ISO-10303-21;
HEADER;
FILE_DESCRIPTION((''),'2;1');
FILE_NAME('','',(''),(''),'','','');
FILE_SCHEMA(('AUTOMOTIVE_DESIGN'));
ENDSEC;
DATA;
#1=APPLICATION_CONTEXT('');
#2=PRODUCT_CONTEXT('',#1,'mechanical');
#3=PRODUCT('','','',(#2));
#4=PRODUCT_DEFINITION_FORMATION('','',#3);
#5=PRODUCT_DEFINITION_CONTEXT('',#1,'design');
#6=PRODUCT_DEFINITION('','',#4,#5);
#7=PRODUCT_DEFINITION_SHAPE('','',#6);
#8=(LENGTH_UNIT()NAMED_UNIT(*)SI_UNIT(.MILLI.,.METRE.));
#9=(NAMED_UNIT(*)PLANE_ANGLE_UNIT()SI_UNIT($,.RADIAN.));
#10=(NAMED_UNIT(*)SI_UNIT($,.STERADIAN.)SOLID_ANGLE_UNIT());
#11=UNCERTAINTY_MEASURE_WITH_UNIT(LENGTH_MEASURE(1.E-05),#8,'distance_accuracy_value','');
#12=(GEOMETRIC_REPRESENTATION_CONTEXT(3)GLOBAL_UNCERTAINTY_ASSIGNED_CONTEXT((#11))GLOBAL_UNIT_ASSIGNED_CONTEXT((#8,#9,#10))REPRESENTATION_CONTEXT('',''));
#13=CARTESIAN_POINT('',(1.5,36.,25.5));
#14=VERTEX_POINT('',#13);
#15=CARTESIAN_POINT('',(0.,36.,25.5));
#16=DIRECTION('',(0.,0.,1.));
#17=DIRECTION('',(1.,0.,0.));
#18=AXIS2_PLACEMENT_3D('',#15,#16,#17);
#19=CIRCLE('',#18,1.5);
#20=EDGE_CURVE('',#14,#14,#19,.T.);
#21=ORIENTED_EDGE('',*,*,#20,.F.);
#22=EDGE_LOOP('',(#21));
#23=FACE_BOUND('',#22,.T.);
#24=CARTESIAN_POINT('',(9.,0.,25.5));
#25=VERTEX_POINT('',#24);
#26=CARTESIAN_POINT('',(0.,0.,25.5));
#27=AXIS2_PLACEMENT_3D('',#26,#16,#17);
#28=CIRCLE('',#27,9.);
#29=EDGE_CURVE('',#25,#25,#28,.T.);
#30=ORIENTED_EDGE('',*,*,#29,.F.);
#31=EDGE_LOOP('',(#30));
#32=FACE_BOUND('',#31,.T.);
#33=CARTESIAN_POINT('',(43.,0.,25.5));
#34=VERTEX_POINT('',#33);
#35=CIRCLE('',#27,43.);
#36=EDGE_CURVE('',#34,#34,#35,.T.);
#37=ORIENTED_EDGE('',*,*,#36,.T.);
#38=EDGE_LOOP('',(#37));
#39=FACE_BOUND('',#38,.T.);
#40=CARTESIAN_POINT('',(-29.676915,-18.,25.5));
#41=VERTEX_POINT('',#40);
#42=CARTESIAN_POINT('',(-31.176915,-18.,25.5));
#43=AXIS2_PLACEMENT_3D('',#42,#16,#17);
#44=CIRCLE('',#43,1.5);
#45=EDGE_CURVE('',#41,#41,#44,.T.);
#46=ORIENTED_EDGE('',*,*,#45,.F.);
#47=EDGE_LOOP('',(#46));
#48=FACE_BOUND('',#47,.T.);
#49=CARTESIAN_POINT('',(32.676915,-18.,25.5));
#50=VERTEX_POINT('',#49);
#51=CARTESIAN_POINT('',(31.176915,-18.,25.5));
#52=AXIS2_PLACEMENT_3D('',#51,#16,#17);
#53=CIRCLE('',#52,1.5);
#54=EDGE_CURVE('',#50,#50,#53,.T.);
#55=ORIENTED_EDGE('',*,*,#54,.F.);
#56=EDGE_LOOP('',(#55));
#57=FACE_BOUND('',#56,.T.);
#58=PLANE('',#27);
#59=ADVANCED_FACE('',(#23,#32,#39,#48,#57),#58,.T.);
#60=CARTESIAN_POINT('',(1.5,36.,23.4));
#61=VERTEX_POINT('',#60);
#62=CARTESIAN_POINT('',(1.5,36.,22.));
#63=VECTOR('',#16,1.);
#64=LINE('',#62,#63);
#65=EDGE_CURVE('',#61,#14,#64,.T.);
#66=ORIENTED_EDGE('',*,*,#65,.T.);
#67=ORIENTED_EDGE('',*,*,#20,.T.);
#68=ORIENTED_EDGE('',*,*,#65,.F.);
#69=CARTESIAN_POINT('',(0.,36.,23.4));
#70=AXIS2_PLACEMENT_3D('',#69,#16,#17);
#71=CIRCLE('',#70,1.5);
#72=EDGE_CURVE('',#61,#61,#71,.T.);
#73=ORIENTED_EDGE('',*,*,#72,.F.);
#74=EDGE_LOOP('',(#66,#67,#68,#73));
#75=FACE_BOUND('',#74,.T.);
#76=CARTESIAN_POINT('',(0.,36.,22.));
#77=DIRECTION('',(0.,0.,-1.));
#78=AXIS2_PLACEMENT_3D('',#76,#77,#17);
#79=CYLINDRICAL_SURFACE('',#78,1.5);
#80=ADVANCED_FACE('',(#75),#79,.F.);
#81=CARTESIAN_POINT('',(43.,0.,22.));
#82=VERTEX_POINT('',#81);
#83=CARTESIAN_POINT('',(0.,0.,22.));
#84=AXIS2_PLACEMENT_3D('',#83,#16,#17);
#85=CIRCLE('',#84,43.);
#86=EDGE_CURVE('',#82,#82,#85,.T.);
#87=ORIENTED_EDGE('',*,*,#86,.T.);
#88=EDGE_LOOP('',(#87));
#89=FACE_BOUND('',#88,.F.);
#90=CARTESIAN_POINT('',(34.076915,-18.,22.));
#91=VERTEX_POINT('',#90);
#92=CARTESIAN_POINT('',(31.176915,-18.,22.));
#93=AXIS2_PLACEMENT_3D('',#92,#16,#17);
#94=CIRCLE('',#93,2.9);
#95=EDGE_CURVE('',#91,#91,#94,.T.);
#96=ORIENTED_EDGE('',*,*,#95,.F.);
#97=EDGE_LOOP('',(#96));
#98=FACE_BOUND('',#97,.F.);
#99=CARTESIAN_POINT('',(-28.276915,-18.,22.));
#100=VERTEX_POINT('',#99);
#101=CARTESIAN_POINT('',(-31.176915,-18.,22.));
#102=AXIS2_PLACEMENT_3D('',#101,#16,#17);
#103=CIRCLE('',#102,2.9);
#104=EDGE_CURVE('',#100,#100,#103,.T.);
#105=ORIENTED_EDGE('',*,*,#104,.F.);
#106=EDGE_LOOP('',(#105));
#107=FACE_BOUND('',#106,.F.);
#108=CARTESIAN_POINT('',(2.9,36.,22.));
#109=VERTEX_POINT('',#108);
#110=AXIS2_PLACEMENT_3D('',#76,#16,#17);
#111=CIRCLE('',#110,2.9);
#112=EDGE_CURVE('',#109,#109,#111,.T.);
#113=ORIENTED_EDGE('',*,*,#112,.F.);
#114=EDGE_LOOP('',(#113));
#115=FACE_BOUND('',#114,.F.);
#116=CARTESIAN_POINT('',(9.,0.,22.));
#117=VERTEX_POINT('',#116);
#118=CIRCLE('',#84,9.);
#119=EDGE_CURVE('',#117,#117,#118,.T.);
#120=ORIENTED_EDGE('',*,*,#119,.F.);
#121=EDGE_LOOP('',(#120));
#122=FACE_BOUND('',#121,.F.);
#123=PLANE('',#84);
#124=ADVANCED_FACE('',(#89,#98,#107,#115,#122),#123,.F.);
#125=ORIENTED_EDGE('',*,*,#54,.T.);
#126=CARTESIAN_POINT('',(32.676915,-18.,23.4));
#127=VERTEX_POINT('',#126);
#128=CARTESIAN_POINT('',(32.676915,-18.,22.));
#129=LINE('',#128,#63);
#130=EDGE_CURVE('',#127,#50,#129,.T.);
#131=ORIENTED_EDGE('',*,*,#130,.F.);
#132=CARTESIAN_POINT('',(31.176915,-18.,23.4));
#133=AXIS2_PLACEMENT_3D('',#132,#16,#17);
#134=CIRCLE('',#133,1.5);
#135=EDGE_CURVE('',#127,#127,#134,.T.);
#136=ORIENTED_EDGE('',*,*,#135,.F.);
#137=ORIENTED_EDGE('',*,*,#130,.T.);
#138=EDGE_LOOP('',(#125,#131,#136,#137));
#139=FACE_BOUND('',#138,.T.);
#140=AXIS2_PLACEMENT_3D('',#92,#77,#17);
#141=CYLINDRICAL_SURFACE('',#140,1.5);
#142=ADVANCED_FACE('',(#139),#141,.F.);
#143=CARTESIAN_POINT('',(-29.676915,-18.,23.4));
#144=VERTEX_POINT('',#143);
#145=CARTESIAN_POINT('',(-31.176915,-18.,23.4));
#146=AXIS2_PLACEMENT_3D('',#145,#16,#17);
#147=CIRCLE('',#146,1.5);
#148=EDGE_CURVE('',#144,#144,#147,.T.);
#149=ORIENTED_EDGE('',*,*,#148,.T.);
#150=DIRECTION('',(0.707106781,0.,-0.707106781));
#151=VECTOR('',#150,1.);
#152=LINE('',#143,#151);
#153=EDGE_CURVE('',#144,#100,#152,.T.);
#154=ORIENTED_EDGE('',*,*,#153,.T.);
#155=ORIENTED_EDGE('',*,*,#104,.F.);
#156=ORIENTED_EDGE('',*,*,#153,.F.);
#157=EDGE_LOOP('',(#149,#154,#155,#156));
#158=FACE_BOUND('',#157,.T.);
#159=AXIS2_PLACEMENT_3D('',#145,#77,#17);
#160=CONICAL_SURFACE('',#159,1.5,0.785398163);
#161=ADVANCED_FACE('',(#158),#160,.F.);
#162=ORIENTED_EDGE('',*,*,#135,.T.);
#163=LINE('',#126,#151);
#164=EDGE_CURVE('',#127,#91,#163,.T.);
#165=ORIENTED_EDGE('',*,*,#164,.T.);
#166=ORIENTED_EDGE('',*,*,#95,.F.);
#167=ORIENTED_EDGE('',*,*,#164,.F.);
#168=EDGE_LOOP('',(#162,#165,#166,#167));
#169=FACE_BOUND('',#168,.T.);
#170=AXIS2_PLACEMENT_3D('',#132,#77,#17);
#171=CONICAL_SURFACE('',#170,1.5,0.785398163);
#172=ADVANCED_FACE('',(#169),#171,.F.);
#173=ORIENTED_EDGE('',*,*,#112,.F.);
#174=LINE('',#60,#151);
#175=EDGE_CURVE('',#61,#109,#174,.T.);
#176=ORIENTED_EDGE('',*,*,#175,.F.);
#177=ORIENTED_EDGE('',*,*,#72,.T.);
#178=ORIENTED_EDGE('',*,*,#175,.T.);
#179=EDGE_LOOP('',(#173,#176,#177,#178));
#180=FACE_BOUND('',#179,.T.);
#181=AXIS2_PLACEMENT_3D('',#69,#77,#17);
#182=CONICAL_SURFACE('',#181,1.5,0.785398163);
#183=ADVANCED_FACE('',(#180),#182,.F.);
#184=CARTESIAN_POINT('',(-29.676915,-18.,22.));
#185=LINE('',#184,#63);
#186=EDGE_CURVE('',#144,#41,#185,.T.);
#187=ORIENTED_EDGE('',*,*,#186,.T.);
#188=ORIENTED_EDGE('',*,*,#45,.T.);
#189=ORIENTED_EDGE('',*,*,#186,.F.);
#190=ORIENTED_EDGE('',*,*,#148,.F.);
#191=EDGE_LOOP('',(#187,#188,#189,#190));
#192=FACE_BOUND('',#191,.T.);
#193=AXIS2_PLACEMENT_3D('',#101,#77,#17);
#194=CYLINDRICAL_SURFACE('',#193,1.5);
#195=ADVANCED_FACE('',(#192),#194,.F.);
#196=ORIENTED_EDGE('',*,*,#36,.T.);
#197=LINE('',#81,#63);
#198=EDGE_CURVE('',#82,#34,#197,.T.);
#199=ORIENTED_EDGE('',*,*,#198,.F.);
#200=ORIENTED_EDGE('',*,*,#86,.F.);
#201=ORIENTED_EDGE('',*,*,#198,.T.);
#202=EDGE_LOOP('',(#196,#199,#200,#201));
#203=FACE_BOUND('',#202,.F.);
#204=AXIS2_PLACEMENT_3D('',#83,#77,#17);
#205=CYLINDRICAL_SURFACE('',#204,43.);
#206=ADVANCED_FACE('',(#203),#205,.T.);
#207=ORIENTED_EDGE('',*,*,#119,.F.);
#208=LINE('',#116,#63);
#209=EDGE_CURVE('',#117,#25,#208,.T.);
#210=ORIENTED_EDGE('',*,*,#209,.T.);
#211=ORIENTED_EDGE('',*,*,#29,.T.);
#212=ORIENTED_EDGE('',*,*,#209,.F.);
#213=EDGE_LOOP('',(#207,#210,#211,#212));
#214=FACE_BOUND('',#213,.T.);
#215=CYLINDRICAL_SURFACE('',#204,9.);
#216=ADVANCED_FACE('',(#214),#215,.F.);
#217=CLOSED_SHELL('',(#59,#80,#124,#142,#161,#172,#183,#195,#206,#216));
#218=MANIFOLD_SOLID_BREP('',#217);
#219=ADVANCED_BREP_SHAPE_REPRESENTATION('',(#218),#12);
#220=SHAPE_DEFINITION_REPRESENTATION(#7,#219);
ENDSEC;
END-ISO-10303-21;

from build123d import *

# Parameters (mm, degrees)
SKETCH006_R   = 43
SKETCH006_R_2 = 1.5
SKETCH006_R_3 = 9
PAD_DEPTH     = 3.5
CHAMFER_SIZE  = 1.4


with BuildPart() as part:
    # Sketch006 → Pad (new body)
    with BuildSketch(Plane.XY.offset(22)):
        Circle(SKETCH006_R)
        with Locations((0, 36)):
            Circle(SKETCH006_R_2, mode=Mode.SUBTRACT)
        with Locations((31.176915, -18)):
            Circle(SKETCH006_R_2, mode=Mode.SUBTRACT)
        with Locations((-31.176915, -18)):
            Circle(SKETCH006_R_2, mode=Mode.SUBTRACT)
        Circle(SKETCH006_R_3, mode=Mode.SUBTRACT)
    extrude(amount=PAD_DEPTH)

    # Chamfer
    chamfer_edges = [part.edges().sort_by_distance(p)[0] for p in [
        (-32.676915, -18, 22),
        (-1.5, 36, 22),
        (29.676915, -18, 22),
    ]]
    chamfer(chamfer_edges, length=CHAMFER_SIZE)


solid = part.part
